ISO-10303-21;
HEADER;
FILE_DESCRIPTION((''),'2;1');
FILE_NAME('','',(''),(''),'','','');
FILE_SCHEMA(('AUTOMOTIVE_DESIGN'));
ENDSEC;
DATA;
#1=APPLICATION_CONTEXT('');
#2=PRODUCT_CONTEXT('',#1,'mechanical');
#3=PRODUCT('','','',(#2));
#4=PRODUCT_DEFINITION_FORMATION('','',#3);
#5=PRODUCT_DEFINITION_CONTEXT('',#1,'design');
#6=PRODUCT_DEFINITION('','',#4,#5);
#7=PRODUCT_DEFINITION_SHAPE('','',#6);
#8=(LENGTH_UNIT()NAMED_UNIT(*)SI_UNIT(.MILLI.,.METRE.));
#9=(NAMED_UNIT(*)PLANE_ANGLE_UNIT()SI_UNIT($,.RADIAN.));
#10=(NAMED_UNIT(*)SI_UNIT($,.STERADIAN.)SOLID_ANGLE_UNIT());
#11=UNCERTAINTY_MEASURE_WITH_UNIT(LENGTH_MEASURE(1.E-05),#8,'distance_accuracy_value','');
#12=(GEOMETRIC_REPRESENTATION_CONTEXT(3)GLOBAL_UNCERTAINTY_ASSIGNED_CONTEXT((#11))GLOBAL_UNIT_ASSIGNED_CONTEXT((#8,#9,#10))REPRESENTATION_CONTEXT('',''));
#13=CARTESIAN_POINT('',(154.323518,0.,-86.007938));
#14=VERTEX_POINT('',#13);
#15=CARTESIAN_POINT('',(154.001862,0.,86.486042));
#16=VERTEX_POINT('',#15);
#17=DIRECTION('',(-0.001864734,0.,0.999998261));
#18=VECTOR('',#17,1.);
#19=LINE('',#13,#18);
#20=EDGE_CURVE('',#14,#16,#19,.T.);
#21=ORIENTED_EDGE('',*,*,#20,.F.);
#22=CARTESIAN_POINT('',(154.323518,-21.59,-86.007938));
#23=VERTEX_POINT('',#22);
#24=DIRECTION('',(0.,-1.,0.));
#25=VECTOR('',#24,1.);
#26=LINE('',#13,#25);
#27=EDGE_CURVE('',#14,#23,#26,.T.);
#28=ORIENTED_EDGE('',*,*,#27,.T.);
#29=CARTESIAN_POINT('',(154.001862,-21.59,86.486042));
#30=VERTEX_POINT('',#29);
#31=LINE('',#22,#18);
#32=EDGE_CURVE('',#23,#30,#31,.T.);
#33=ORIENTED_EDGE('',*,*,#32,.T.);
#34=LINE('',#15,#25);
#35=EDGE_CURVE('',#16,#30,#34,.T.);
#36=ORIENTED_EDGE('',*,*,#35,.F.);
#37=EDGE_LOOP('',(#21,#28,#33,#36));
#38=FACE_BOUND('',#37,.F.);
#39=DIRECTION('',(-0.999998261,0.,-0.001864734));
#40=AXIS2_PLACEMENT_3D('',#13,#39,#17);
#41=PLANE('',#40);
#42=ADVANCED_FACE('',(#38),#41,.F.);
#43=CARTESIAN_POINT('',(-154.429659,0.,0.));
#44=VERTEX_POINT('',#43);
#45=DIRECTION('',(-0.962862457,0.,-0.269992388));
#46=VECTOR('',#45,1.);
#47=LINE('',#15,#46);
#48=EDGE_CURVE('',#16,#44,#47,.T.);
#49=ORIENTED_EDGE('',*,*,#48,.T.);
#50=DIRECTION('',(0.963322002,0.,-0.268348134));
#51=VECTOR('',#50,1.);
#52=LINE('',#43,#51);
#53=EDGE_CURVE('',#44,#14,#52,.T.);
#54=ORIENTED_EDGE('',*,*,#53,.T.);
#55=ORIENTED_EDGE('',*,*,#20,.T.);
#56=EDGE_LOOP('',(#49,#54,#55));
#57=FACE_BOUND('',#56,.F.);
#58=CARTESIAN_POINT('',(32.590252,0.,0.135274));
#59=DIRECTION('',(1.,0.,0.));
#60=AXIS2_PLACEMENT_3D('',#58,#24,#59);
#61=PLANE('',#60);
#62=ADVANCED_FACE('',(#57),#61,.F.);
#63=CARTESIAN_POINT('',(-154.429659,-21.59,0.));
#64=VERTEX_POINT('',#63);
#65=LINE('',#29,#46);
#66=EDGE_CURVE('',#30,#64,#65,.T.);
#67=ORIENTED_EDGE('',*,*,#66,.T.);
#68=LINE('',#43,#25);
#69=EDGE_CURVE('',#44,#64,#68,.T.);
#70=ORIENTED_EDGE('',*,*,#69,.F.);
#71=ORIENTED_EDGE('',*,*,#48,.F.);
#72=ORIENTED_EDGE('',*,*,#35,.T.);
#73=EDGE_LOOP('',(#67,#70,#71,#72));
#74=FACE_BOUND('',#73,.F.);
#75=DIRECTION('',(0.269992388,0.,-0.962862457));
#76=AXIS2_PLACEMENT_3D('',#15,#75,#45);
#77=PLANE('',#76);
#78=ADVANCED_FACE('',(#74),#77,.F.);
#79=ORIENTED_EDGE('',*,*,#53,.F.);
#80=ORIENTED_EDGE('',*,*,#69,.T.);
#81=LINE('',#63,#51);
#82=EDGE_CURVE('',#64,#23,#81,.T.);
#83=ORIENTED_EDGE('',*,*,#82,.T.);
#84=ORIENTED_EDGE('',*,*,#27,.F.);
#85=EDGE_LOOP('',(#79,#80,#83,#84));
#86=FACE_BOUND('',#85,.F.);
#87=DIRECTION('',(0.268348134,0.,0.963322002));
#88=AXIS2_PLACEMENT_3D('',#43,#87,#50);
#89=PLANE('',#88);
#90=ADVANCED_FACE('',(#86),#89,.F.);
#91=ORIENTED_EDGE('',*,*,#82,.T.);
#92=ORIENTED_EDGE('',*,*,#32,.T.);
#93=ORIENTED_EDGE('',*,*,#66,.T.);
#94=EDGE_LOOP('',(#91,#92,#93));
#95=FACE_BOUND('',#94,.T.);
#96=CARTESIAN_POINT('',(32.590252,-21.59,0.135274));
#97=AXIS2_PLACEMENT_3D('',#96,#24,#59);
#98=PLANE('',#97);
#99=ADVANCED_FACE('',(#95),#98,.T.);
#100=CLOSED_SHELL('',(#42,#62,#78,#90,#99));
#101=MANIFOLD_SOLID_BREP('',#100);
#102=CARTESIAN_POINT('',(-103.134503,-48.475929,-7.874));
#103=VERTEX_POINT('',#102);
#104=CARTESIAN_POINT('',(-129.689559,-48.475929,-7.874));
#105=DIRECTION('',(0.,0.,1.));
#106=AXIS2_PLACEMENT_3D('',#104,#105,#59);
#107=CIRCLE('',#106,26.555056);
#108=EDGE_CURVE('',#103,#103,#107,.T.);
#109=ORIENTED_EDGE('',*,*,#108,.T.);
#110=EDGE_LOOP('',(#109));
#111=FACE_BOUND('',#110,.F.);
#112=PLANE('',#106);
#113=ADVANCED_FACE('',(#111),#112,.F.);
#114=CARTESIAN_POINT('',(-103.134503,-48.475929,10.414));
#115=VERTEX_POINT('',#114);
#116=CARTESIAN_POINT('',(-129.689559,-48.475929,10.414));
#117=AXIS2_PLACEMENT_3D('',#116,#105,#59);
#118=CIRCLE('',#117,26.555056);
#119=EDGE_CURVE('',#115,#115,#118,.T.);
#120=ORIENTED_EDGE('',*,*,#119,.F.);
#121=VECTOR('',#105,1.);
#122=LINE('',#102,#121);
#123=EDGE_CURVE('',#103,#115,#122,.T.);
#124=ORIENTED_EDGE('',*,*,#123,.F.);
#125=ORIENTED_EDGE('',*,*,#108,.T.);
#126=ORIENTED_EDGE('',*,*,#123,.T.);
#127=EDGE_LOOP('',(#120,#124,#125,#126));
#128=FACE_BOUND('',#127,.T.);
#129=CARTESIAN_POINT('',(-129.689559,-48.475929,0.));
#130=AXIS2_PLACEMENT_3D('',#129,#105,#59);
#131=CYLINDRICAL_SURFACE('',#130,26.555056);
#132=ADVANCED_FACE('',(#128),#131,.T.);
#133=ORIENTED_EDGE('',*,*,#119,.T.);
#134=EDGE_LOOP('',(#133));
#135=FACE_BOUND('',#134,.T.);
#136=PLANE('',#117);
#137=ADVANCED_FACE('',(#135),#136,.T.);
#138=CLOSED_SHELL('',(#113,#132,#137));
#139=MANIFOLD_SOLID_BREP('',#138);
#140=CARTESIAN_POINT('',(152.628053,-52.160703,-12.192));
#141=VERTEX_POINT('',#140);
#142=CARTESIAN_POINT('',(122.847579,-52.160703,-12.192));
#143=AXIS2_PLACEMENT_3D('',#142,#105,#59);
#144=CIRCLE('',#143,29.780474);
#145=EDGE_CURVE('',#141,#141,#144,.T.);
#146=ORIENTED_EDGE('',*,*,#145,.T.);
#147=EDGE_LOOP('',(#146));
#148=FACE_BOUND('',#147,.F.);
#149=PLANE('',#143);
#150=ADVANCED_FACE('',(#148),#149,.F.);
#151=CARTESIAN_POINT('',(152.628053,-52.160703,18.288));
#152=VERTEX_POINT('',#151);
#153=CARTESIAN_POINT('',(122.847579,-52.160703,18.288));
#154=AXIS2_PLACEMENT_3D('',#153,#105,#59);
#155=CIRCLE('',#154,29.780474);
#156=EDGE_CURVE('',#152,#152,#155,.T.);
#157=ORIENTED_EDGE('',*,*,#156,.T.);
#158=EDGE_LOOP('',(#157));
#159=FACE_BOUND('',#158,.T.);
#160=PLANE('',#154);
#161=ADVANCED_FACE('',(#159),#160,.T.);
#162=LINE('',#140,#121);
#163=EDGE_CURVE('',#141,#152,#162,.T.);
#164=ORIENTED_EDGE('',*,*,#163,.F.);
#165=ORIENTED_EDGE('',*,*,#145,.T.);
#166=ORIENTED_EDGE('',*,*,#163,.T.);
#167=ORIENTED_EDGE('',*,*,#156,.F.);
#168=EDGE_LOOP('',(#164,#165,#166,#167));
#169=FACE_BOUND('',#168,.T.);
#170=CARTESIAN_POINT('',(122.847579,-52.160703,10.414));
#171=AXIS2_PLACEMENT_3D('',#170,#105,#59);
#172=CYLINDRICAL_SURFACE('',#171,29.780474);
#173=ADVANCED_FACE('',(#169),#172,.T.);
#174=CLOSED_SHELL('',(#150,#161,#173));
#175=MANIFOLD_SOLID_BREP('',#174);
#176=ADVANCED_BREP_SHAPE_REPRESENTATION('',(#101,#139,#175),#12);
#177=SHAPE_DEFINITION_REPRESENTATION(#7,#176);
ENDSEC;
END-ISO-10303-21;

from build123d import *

# Parameters (mm, degrees)
F1_DEPTH      = 21.59
F2_R          = 26.555056
F3_DEPTH      = 10.414
F3_DEPTH_BACK = 7.874
F4_R          = 29.780474
F5_DEPTH      = 7.874
F5_DEPTH_BACK = 22.606


with BuildPart() as f1:
    # F0 (on Front) → F1 (new body)
    with BuildSketch(Plane.XZ):
        Polygon((154.001862, 86.486042), (-154.429659, 0), (154.323518, -86.007938), align=None)
    extrude(amount=F1_DEPTH)


with BuildPart() as f3:
    # F2 (on Top) → F3 (new body, two sides)
    with BuildSketch(Plane.XY) as f3_sk:
        with Locations((-129.689559, -48.475929)):
            Circle(F2_R)
    extrude(amount=F3_DEPTH)
    extrude(f3_sk.sketch, amount=-F3_DEPTH_BACK)


with BuildPart() as f5:
    # F4 (on face) → F5 (new body, two sides)
    with BuildSketch(Plane.XY.offset(10.414)) as f5_sk:
        with Locations((122.847579, -52.160703)):
            Circle(F4_R)
    extrude(amount=F5_DEPTH)
    extrude(f5_sk.sketch, amount=-F5_DEPTH_BACK)


solid = Compound([f1.part, f3.part, f5.part])
